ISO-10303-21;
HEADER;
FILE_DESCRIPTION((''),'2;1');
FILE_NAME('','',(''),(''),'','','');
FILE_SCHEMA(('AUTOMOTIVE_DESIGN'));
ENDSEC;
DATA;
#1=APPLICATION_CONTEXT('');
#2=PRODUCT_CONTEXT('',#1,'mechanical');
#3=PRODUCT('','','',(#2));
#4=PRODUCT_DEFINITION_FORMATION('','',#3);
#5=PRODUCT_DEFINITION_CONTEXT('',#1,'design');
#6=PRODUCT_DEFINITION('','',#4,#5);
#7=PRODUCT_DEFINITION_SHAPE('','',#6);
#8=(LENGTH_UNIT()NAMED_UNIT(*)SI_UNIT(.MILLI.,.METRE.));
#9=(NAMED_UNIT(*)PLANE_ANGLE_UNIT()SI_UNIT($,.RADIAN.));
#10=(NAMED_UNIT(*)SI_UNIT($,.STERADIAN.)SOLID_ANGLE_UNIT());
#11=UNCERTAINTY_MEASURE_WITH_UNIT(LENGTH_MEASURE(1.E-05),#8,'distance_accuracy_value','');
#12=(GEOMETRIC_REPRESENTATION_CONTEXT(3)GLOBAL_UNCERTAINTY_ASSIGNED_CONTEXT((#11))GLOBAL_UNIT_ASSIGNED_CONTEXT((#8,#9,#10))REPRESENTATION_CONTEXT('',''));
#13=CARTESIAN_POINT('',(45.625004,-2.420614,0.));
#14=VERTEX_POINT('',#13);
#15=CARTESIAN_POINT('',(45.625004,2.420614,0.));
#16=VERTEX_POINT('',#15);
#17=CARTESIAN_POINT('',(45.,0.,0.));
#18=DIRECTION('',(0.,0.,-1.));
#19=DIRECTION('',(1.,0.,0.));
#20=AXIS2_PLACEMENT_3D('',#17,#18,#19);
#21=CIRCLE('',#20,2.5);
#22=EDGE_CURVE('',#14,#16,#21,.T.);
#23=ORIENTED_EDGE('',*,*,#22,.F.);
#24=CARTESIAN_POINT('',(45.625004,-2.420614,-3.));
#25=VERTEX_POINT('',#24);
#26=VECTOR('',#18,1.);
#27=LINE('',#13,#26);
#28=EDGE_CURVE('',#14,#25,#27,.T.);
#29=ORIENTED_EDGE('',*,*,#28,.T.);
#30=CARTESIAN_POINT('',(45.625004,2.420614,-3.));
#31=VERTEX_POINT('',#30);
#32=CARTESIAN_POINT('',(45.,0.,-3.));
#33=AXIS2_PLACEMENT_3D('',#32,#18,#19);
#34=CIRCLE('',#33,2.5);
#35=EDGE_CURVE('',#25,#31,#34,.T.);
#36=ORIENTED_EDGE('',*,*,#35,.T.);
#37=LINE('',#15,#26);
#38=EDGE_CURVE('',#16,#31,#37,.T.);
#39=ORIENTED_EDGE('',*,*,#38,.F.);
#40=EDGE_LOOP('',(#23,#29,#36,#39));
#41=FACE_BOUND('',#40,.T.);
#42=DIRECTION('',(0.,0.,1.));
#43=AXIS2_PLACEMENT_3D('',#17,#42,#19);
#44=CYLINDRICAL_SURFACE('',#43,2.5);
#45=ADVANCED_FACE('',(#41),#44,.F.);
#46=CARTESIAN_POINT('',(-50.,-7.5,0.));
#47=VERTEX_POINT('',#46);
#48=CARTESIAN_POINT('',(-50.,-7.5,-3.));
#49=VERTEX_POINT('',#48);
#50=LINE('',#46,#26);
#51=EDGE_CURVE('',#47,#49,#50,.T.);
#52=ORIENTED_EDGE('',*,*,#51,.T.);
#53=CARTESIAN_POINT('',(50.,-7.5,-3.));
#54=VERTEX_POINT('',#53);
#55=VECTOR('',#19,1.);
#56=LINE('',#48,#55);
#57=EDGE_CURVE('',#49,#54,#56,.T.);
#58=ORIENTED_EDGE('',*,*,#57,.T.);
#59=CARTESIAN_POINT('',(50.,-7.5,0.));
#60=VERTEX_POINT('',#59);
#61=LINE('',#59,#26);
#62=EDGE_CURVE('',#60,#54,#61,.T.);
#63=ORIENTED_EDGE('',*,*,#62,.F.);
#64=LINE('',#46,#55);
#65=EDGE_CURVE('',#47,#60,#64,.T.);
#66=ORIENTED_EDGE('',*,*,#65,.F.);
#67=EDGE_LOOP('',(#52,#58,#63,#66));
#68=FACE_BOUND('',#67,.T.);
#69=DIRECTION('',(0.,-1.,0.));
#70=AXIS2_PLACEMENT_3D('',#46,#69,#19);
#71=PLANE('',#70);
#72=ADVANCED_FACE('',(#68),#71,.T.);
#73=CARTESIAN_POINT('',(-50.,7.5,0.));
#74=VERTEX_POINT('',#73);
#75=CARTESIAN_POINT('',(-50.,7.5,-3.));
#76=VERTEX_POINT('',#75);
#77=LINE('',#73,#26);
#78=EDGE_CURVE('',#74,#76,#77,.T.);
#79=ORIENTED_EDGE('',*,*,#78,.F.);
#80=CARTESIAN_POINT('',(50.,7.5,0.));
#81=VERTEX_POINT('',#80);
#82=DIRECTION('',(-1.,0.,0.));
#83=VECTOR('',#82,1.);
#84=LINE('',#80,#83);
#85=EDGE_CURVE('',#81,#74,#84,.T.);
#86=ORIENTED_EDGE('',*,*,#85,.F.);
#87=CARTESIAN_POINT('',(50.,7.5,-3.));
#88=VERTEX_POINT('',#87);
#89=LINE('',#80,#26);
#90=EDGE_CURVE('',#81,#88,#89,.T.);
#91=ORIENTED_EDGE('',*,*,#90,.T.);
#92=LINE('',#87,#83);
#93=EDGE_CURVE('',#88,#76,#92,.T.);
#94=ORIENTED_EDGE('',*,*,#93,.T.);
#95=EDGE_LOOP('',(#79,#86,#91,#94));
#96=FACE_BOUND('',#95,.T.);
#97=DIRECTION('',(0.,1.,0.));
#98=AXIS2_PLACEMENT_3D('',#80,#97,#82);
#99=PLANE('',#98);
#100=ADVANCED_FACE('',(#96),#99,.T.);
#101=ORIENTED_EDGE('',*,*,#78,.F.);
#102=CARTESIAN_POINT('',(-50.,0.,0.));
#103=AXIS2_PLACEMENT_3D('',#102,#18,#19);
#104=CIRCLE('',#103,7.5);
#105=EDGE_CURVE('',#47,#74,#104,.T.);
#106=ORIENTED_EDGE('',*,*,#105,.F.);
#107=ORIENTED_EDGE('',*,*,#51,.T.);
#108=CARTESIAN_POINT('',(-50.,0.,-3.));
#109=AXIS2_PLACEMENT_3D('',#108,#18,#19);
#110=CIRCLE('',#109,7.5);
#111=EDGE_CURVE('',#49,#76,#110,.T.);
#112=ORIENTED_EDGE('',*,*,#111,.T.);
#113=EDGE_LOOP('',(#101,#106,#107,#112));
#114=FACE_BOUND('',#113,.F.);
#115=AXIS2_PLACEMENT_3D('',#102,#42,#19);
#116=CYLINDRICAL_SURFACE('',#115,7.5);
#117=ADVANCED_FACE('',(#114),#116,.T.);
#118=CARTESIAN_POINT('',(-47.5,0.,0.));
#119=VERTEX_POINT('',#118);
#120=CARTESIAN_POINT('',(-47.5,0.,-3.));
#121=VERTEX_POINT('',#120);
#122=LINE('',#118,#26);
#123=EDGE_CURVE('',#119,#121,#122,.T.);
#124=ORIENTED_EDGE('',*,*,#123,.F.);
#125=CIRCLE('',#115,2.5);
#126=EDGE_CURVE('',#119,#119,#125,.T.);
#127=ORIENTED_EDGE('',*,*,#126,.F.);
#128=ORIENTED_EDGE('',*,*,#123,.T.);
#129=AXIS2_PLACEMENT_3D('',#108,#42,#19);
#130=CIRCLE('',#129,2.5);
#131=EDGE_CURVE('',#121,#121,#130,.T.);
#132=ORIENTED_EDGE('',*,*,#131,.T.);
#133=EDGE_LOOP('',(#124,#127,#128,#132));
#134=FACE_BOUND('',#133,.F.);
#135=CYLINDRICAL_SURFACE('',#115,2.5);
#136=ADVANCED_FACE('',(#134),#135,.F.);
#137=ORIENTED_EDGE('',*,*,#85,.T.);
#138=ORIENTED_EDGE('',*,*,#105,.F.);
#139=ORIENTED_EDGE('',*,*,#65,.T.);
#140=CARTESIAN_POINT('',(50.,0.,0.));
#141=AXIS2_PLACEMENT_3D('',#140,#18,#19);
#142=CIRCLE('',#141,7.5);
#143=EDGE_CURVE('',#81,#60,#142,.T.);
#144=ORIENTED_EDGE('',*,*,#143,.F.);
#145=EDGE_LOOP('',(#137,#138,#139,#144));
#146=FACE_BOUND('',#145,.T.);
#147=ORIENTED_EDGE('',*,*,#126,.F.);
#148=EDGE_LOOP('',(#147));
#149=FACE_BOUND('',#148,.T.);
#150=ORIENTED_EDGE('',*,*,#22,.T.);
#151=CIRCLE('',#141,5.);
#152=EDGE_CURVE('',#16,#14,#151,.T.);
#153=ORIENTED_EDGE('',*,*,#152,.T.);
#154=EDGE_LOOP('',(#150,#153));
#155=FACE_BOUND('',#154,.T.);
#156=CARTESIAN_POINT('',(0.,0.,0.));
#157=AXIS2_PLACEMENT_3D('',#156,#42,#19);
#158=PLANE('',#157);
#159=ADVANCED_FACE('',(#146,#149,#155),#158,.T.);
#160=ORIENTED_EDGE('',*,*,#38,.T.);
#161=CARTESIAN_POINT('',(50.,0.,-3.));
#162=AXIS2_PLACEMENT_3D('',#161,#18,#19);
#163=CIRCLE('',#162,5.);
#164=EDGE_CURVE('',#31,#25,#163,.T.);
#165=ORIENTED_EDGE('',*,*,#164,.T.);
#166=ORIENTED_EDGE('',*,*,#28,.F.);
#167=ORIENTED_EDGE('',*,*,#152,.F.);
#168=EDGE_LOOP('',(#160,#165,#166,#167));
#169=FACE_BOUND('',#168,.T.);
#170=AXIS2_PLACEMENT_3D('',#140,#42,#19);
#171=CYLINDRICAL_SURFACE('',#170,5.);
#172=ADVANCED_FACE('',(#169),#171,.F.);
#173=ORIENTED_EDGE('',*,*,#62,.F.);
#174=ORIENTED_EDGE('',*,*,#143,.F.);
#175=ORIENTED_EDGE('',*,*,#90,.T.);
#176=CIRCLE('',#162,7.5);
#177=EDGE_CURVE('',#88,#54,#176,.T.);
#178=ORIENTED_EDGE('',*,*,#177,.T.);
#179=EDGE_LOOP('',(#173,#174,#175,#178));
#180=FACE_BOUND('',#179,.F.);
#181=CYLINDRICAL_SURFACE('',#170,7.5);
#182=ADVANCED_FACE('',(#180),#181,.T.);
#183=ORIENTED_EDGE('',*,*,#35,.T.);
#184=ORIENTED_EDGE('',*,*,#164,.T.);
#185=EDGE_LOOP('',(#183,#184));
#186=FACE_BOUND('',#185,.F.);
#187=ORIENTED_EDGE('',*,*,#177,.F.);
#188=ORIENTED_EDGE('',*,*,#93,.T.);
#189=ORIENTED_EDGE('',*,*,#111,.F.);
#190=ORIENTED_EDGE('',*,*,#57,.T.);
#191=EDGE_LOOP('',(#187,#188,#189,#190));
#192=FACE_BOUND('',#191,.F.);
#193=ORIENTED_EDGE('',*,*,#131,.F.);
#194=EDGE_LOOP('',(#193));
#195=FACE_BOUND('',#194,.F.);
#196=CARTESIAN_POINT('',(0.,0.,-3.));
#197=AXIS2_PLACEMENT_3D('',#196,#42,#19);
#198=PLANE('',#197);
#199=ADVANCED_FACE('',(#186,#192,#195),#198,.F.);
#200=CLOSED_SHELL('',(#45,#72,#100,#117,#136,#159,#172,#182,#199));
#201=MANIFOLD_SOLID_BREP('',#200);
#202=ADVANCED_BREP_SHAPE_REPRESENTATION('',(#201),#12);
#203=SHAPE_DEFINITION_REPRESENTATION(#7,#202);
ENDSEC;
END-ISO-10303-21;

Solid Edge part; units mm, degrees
sketch "Sketch1" plane through (0, 0, 0) normal (0, 0, 1) x (1, 0, 0)
  arc A0 (45.625, -2.4206) -> (45.625, 2.4206) centre (45, 0) cw
  arc A1 (45.625, 2.4206) -> (45.625, -2.4206) centre (50, 0) cw
  line L0 (50, 7.5) -> (-50, 7.5)
  line L1 (-50, -7.5) -> (50, -7.5)
  arc A2 (-50, -7.5) -> (-50, 7.5) centre (-50, 0) cw
  arc A3 (50, 7.5) -> (50, -7.5) centre (50, 0) cw
  circle A4 centre (-50, 0) radius 2.5
extrude "ExtrudedProtrusion_1" add sketch "Sketch1" against normal blind 3
